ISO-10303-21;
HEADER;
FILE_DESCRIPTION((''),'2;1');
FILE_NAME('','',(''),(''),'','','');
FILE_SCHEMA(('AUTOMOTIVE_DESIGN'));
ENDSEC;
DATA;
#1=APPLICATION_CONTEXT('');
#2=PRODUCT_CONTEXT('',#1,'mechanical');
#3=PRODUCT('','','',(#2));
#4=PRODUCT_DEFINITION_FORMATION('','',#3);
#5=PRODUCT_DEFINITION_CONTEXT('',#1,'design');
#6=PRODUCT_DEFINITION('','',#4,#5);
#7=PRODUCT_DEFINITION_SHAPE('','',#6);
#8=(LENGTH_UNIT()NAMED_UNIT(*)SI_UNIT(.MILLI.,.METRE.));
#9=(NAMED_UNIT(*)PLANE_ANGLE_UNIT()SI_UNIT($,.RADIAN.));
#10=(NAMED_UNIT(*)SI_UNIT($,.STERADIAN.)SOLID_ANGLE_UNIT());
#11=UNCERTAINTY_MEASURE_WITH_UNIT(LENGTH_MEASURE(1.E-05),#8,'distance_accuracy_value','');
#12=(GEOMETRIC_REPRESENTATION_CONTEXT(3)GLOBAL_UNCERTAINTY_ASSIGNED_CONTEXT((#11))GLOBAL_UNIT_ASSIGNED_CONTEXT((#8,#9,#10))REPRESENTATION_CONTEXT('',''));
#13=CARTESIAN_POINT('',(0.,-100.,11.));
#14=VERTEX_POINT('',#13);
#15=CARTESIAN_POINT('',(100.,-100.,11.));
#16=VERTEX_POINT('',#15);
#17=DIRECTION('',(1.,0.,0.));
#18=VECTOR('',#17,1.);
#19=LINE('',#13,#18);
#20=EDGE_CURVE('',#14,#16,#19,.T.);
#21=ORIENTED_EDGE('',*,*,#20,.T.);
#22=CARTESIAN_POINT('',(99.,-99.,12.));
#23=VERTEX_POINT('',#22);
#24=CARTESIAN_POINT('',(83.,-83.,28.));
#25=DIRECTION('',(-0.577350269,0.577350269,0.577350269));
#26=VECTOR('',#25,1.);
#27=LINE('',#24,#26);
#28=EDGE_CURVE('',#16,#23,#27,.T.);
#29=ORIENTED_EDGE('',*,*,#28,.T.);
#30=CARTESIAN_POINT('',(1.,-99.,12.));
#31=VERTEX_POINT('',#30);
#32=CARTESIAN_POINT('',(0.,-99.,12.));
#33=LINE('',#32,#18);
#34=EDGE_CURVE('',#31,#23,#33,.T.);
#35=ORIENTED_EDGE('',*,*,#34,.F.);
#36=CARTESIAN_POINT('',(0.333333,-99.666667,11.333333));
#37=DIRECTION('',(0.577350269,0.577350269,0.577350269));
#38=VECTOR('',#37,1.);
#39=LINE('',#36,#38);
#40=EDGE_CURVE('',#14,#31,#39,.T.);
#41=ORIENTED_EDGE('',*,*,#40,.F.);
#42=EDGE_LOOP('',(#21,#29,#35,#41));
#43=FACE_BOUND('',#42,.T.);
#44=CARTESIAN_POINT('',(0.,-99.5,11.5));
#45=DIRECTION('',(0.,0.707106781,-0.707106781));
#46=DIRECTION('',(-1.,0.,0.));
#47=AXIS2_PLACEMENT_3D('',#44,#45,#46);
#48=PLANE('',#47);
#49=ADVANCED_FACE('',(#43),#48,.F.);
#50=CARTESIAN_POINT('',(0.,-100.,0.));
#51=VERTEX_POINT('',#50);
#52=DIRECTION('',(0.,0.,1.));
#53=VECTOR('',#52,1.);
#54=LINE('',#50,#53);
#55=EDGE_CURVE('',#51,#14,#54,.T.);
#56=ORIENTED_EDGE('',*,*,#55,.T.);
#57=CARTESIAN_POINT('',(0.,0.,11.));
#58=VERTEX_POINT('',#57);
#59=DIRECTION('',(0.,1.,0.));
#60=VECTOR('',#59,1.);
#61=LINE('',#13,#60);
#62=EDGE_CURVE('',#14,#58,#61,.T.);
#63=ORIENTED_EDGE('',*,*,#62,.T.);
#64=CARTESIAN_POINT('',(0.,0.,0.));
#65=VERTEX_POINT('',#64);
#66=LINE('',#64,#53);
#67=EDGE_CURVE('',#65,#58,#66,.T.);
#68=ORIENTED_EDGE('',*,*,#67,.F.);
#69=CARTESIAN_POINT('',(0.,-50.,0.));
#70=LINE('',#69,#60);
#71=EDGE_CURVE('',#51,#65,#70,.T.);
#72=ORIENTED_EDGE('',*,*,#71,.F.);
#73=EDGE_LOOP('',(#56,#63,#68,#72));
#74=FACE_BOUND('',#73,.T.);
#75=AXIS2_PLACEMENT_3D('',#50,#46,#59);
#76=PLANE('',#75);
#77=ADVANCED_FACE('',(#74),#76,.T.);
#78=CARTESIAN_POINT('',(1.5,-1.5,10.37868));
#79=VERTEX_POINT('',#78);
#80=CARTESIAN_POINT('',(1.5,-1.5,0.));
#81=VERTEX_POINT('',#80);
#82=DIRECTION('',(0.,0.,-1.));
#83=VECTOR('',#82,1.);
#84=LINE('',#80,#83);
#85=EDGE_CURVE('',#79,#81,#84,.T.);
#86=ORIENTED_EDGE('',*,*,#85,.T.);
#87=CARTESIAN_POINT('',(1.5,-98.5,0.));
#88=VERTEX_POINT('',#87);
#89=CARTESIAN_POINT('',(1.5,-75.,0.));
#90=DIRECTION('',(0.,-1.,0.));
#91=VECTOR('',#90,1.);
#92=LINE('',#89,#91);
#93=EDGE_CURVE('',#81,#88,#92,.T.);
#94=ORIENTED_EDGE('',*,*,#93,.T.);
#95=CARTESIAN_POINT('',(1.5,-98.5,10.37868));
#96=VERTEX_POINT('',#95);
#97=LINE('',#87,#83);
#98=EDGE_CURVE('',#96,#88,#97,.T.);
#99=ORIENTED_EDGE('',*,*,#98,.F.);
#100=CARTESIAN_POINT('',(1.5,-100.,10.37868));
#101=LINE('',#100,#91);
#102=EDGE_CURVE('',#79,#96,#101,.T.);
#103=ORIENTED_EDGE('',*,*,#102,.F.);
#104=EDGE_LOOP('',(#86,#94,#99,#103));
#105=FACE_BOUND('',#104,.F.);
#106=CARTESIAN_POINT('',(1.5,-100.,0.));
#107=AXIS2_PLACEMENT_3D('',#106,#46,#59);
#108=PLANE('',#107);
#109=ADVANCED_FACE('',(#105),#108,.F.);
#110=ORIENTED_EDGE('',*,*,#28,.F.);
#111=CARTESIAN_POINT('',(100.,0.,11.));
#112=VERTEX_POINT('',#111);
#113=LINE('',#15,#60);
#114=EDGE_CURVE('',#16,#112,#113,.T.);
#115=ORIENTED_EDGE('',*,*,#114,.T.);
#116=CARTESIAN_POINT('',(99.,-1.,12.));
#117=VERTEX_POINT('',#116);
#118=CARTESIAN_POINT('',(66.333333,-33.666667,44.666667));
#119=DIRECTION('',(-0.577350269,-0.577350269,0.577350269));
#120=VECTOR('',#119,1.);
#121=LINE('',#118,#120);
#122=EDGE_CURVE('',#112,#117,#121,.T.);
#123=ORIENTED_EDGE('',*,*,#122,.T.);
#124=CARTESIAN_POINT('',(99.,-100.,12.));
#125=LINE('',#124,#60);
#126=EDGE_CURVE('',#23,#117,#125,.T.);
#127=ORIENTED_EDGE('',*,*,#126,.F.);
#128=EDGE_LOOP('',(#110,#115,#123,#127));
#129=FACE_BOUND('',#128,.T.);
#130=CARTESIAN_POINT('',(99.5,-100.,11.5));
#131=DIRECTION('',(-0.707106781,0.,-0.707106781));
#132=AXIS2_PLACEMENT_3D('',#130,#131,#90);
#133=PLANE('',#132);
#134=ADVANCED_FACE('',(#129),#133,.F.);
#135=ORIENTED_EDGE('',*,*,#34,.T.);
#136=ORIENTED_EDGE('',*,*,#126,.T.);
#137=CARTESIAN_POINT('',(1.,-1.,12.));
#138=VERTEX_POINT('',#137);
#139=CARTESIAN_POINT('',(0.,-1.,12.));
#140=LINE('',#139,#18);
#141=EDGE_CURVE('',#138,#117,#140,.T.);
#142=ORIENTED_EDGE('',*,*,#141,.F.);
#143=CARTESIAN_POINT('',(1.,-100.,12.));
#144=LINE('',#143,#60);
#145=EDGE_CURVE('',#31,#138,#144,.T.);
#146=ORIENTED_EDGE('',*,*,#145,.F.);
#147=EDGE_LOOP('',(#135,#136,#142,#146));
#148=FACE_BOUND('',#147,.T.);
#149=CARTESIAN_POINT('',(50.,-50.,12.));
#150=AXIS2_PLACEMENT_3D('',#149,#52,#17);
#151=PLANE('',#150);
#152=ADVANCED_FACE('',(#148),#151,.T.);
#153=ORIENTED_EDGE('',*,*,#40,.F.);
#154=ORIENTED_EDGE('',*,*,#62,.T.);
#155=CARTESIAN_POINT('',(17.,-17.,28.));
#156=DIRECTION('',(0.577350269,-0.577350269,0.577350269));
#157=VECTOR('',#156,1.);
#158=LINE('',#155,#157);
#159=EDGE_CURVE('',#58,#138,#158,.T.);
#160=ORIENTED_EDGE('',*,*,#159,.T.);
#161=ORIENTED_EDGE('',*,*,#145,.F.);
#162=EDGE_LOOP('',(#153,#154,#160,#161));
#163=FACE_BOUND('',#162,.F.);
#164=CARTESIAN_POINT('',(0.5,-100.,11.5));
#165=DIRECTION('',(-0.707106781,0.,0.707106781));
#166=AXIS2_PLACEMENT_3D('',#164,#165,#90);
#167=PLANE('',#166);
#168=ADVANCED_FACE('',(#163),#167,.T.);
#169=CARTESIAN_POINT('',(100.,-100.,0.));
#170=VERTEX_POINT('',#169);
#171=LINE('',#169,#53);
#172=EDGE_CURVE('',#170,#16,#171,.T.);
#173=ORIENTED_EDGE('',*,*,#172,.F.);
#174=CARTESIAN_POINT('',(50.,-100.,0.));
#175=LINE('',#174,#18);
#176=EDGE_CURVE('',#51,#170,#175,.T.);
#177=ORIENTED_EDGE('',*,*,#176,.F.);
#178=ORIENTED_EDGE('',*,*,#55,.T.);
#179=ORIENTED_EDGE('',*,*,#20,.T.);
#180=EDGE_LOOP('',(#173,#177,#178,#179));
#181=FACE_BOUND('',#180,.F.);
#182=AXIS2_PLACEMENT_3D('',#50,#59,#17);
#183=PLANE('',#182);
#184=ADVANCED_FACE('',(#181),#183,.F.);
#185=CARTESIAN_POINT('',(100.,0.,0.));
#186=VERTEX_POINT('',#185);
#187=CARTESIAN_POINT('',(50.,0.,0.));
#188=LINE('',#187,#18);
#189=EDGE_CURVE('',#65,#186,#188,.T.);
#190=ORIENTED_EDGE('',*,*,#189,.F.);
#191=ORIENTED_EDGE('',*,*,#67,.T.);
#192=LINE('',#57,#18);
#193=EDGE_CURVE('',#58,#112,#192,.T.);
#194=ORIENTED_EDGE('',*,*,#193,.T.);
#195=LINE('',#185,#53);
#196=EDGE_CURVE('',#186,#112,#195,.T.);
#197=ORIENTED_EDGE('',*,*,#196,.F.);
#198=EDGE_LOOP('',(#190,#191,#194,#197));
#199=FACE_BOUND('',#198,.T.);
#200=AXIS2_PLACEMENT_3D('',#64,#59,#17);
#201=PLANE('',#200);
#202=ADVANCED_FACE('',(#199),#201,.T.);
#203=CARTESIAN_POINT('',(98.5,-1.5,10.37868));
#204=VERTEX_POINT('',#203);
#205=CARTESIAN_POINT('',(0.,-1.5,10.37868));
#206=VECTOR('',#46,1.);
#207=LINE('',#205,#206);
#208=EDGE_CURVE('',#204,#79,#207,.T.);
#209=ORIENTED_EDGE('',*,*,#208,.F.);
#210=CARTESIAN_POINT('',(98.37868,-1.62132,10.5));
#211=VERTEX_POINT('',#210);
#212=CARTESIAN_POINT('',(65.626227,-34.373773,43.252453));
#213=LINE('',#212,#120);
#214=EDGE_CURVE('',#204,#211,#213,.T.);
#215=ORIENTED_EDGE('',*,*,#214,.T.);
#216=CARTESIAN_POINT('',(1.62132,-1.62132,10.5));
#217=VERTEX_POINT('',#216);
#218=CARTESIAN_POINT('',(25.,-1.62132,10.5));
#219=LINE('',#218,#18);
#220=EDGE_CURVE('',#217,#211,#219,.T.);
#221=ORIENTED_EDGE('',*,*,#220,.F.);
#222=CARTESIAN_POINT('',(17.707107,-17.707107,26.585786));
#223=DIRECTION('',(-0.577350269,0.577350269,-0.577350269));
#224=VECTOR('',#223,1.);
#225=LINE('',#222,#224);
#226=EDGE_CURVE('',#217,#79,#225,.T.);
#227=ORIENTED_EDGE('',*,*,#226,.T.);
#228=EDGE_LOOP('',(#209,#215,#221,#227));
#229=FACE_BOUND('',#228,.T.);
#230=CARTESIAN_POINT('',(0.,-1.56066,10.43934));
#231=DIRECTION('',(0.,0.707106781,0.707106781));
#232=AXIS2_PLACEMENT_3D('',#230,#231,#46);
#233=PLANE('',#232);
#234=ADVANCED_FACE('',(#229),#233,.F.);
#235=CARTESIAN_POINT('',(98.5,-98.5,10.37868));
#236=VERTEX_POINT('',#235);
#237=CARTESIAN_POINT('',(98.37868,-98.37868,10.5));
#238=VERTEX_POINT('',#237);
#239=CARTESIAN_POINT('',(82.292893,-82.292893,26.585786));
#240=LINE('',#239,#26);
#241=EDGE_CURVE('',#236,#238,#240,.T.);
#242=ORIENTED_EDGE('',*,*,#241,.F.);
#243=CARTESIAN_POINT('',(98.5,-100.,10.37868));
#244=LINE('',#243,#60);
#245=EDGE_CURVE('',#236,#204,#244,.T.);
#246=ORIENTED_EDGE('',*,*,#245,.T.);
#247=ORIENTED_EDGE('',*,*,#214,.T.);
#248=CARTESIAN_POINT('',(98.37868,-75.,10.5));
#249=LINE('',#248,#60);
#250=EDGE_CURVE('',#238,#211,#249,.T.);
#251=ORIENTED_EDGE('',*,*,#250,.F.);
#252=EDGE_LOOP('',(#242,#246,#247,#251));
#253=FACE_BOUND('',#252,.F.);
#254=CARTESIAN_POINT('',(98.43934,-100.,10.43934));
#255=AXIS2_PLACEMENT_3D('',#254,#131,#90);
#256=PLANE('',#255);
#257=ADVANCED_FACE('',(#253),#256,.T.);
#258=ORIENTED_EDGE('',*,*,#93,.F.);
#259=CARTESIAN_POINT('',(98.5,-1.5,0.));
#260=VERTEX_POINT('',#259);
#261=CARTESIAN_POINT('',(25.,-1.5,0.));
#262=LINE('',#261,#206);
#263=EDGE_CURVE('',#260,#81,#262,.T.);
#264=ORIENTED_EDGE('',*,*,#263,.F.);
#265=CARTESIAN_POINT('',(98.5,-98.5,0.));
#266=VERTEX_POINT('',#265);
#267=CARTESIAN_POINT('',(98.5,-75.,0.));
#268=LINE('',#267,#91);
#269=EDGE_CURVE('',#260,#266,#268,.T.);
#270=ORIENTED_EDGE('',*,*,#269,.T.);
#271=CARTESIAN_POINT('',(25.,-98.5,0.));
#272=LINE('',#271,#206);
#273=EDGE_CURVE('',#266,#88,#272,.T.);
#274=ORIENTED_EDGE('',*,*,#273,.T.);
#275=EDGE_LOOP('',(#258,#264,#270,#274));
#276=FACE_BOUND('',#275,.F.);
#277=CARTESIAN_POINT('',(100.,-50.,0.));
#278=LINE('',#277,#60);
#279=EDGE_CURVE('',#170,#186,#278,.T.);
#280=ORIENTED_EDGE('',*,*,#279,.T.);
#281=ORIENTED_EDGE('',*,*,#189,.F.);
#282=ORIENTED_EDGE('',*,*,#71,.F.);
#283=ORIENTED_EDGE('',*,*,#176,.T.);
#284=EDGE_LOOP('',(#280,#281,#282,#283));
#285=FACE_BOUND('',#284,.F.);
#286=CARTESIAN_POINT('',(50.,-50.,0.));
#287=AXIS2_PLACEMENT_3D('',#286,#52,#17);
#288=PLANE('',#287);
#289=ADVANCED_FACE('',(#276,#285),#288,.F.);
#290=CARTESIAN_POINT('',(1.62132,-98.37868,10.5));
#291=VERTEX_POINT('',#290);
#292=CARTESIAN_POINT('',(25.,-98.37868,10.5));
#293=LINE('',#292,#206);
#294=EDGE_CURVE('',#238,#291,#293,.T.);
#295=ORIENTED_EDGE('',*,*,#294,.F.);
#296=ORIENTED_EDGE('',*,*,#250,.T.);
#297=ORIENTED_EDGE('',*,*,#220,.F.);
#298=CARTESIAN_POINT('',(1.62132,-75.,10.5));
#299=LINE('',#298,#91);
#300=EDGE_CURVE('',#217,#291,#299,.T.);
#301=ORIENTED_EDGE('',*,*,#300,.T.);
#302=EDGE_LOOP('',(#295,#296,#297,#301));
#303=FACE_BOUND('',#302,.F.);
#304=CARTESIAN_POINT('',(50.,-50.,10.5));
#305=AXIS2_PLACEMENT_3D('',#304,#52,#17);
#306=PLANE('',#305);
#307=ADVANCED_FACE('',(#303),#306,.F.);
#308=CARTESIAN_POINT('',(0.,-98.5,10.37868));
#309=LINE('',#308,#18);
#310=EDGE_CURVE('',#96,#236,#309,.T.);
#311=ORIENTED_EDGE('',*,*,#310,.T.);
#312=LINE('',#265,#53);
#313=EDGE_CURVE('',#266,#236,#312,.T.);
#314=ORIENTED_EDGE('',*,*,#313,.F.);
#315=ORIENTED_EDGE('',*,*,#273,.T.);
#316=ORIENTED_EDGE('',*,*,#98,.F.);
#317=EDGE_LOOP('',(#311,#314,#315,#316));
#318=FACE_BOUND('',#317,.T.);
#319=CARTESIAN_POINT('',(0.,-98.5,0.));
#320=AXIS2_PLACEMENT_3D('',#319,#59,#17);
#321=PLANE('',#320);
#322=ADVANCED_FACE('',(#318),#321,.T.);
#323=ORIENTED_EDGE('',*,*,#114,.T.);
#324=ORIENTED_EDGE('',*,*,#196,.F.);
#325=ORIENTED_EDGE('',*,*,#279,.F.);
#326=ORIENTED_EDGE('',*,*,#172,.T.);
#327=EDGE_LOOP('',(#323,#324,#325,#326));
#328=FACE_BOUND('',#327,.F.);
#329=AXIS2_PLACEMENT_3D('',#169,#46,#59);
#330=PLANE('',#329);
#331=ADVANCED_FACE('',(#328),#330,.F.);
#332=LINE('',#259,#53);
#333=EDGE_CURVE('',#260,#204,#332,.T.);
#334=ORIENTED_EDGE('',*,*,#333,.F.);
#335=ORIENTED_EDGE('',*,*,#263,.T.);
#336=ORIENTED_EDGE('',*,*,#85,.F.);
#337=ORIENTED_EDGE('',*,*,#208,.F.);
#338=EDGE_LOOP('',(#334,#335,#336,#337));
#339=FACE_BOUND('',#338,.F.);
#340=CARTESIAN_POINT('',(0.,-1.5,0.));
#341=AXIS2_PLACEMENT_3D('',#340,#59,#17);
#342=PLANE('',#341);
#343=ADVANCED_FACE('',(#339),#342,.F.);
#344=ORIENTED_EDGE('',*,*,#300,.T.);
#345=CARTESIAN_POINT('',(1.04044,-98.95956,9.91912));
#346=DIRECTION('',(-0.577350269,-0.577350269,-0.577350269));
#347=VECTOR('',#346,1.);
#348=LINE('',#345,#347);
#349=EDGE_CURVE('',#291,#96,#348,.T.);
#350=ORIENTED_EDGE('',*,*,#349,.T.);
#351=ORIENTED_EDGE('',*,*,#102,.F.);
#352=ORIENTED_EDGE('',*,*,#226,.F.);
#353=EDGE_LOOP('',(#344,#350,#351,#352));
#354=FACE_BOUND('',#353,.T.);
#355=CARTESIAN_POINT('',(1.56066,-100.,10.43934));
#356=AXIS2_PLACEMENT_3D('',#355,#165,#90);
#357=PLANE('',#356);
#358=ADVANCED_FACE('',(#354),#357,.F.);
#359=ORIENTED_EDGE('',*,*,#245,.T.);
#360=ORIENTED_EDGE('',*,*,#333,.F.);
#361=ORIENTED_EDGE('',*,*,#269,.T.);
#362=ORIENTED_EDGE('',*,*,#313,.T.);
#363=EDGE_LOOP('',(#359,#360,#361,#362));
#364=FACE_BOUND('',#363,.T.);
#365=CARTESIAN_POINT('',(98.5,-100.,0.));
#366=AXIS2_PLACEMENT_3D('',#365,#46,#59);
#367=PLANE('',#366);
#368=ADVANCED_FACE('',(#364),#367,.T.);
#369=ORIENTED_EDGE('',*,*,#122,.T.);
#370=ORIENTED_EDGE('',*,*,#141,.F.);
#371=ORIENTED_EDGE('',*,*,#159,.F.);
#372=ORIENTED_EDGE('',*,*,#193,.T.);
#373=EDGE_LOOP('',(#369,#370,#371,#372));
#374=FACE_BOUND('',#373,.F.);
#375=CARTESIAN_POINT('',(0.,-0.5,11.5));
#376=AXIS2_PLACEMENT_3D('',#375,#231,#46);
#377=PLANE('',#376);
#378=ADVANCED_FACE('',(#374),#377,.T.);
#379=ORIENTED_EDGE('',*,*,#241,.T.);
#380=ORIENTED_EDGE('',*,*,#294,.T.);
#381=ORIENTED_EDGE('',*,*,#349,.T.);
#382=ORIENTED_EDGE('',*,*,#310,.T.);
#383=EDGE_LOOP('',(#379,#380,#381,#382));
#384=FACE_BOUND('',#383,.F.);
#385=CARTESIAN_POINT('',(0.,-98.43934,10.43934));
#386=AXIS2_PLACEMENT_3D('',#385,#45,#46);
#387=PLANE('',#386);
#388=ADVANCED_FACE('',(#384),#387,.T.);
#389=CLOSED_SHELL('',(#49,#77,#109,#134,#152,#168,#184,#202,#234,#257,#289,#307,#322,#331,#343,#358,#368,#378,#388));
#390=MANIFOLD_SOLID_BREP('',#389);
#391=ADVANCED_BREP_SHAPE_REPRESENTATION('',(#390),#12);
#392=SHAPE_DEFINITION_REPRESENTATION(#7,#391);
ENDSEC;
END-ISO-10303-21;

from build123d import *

# Parameters (mm, degrees)
F0_W     = 100
F0_H     = 100
F1_DEPTH = 12
F2_SIZE  = 1
F3_T     = -1.5


with BuildPart() as f1:
    # F0 (on Top) → F1 (new body)
    with BuildSketch(Plane.XY):
        with Locations((50, -50)):
            Rectangle(F0_W, F0_H)
    extrude(amount=F1_DEPTH)

    # F2
    f2_edges = [f1.edges().sort_by_distance(p)[0] for p in [
        (0, -50, 12),
        (50, -100, 12),
        (100, -50, 12),
        (50, 0, 12),
    ]]
    chamfer(f2_edges, length=F2_SIZE)

    # F3
    f3_openings = [f1.faces().sort_by_distance(p)[0] for p in [
        (50, -50, 0),
    ]]
    offset(amount=F3_T, openings=f3_openings, kind=Kind.INTERSECTION)


solid = f1.part
